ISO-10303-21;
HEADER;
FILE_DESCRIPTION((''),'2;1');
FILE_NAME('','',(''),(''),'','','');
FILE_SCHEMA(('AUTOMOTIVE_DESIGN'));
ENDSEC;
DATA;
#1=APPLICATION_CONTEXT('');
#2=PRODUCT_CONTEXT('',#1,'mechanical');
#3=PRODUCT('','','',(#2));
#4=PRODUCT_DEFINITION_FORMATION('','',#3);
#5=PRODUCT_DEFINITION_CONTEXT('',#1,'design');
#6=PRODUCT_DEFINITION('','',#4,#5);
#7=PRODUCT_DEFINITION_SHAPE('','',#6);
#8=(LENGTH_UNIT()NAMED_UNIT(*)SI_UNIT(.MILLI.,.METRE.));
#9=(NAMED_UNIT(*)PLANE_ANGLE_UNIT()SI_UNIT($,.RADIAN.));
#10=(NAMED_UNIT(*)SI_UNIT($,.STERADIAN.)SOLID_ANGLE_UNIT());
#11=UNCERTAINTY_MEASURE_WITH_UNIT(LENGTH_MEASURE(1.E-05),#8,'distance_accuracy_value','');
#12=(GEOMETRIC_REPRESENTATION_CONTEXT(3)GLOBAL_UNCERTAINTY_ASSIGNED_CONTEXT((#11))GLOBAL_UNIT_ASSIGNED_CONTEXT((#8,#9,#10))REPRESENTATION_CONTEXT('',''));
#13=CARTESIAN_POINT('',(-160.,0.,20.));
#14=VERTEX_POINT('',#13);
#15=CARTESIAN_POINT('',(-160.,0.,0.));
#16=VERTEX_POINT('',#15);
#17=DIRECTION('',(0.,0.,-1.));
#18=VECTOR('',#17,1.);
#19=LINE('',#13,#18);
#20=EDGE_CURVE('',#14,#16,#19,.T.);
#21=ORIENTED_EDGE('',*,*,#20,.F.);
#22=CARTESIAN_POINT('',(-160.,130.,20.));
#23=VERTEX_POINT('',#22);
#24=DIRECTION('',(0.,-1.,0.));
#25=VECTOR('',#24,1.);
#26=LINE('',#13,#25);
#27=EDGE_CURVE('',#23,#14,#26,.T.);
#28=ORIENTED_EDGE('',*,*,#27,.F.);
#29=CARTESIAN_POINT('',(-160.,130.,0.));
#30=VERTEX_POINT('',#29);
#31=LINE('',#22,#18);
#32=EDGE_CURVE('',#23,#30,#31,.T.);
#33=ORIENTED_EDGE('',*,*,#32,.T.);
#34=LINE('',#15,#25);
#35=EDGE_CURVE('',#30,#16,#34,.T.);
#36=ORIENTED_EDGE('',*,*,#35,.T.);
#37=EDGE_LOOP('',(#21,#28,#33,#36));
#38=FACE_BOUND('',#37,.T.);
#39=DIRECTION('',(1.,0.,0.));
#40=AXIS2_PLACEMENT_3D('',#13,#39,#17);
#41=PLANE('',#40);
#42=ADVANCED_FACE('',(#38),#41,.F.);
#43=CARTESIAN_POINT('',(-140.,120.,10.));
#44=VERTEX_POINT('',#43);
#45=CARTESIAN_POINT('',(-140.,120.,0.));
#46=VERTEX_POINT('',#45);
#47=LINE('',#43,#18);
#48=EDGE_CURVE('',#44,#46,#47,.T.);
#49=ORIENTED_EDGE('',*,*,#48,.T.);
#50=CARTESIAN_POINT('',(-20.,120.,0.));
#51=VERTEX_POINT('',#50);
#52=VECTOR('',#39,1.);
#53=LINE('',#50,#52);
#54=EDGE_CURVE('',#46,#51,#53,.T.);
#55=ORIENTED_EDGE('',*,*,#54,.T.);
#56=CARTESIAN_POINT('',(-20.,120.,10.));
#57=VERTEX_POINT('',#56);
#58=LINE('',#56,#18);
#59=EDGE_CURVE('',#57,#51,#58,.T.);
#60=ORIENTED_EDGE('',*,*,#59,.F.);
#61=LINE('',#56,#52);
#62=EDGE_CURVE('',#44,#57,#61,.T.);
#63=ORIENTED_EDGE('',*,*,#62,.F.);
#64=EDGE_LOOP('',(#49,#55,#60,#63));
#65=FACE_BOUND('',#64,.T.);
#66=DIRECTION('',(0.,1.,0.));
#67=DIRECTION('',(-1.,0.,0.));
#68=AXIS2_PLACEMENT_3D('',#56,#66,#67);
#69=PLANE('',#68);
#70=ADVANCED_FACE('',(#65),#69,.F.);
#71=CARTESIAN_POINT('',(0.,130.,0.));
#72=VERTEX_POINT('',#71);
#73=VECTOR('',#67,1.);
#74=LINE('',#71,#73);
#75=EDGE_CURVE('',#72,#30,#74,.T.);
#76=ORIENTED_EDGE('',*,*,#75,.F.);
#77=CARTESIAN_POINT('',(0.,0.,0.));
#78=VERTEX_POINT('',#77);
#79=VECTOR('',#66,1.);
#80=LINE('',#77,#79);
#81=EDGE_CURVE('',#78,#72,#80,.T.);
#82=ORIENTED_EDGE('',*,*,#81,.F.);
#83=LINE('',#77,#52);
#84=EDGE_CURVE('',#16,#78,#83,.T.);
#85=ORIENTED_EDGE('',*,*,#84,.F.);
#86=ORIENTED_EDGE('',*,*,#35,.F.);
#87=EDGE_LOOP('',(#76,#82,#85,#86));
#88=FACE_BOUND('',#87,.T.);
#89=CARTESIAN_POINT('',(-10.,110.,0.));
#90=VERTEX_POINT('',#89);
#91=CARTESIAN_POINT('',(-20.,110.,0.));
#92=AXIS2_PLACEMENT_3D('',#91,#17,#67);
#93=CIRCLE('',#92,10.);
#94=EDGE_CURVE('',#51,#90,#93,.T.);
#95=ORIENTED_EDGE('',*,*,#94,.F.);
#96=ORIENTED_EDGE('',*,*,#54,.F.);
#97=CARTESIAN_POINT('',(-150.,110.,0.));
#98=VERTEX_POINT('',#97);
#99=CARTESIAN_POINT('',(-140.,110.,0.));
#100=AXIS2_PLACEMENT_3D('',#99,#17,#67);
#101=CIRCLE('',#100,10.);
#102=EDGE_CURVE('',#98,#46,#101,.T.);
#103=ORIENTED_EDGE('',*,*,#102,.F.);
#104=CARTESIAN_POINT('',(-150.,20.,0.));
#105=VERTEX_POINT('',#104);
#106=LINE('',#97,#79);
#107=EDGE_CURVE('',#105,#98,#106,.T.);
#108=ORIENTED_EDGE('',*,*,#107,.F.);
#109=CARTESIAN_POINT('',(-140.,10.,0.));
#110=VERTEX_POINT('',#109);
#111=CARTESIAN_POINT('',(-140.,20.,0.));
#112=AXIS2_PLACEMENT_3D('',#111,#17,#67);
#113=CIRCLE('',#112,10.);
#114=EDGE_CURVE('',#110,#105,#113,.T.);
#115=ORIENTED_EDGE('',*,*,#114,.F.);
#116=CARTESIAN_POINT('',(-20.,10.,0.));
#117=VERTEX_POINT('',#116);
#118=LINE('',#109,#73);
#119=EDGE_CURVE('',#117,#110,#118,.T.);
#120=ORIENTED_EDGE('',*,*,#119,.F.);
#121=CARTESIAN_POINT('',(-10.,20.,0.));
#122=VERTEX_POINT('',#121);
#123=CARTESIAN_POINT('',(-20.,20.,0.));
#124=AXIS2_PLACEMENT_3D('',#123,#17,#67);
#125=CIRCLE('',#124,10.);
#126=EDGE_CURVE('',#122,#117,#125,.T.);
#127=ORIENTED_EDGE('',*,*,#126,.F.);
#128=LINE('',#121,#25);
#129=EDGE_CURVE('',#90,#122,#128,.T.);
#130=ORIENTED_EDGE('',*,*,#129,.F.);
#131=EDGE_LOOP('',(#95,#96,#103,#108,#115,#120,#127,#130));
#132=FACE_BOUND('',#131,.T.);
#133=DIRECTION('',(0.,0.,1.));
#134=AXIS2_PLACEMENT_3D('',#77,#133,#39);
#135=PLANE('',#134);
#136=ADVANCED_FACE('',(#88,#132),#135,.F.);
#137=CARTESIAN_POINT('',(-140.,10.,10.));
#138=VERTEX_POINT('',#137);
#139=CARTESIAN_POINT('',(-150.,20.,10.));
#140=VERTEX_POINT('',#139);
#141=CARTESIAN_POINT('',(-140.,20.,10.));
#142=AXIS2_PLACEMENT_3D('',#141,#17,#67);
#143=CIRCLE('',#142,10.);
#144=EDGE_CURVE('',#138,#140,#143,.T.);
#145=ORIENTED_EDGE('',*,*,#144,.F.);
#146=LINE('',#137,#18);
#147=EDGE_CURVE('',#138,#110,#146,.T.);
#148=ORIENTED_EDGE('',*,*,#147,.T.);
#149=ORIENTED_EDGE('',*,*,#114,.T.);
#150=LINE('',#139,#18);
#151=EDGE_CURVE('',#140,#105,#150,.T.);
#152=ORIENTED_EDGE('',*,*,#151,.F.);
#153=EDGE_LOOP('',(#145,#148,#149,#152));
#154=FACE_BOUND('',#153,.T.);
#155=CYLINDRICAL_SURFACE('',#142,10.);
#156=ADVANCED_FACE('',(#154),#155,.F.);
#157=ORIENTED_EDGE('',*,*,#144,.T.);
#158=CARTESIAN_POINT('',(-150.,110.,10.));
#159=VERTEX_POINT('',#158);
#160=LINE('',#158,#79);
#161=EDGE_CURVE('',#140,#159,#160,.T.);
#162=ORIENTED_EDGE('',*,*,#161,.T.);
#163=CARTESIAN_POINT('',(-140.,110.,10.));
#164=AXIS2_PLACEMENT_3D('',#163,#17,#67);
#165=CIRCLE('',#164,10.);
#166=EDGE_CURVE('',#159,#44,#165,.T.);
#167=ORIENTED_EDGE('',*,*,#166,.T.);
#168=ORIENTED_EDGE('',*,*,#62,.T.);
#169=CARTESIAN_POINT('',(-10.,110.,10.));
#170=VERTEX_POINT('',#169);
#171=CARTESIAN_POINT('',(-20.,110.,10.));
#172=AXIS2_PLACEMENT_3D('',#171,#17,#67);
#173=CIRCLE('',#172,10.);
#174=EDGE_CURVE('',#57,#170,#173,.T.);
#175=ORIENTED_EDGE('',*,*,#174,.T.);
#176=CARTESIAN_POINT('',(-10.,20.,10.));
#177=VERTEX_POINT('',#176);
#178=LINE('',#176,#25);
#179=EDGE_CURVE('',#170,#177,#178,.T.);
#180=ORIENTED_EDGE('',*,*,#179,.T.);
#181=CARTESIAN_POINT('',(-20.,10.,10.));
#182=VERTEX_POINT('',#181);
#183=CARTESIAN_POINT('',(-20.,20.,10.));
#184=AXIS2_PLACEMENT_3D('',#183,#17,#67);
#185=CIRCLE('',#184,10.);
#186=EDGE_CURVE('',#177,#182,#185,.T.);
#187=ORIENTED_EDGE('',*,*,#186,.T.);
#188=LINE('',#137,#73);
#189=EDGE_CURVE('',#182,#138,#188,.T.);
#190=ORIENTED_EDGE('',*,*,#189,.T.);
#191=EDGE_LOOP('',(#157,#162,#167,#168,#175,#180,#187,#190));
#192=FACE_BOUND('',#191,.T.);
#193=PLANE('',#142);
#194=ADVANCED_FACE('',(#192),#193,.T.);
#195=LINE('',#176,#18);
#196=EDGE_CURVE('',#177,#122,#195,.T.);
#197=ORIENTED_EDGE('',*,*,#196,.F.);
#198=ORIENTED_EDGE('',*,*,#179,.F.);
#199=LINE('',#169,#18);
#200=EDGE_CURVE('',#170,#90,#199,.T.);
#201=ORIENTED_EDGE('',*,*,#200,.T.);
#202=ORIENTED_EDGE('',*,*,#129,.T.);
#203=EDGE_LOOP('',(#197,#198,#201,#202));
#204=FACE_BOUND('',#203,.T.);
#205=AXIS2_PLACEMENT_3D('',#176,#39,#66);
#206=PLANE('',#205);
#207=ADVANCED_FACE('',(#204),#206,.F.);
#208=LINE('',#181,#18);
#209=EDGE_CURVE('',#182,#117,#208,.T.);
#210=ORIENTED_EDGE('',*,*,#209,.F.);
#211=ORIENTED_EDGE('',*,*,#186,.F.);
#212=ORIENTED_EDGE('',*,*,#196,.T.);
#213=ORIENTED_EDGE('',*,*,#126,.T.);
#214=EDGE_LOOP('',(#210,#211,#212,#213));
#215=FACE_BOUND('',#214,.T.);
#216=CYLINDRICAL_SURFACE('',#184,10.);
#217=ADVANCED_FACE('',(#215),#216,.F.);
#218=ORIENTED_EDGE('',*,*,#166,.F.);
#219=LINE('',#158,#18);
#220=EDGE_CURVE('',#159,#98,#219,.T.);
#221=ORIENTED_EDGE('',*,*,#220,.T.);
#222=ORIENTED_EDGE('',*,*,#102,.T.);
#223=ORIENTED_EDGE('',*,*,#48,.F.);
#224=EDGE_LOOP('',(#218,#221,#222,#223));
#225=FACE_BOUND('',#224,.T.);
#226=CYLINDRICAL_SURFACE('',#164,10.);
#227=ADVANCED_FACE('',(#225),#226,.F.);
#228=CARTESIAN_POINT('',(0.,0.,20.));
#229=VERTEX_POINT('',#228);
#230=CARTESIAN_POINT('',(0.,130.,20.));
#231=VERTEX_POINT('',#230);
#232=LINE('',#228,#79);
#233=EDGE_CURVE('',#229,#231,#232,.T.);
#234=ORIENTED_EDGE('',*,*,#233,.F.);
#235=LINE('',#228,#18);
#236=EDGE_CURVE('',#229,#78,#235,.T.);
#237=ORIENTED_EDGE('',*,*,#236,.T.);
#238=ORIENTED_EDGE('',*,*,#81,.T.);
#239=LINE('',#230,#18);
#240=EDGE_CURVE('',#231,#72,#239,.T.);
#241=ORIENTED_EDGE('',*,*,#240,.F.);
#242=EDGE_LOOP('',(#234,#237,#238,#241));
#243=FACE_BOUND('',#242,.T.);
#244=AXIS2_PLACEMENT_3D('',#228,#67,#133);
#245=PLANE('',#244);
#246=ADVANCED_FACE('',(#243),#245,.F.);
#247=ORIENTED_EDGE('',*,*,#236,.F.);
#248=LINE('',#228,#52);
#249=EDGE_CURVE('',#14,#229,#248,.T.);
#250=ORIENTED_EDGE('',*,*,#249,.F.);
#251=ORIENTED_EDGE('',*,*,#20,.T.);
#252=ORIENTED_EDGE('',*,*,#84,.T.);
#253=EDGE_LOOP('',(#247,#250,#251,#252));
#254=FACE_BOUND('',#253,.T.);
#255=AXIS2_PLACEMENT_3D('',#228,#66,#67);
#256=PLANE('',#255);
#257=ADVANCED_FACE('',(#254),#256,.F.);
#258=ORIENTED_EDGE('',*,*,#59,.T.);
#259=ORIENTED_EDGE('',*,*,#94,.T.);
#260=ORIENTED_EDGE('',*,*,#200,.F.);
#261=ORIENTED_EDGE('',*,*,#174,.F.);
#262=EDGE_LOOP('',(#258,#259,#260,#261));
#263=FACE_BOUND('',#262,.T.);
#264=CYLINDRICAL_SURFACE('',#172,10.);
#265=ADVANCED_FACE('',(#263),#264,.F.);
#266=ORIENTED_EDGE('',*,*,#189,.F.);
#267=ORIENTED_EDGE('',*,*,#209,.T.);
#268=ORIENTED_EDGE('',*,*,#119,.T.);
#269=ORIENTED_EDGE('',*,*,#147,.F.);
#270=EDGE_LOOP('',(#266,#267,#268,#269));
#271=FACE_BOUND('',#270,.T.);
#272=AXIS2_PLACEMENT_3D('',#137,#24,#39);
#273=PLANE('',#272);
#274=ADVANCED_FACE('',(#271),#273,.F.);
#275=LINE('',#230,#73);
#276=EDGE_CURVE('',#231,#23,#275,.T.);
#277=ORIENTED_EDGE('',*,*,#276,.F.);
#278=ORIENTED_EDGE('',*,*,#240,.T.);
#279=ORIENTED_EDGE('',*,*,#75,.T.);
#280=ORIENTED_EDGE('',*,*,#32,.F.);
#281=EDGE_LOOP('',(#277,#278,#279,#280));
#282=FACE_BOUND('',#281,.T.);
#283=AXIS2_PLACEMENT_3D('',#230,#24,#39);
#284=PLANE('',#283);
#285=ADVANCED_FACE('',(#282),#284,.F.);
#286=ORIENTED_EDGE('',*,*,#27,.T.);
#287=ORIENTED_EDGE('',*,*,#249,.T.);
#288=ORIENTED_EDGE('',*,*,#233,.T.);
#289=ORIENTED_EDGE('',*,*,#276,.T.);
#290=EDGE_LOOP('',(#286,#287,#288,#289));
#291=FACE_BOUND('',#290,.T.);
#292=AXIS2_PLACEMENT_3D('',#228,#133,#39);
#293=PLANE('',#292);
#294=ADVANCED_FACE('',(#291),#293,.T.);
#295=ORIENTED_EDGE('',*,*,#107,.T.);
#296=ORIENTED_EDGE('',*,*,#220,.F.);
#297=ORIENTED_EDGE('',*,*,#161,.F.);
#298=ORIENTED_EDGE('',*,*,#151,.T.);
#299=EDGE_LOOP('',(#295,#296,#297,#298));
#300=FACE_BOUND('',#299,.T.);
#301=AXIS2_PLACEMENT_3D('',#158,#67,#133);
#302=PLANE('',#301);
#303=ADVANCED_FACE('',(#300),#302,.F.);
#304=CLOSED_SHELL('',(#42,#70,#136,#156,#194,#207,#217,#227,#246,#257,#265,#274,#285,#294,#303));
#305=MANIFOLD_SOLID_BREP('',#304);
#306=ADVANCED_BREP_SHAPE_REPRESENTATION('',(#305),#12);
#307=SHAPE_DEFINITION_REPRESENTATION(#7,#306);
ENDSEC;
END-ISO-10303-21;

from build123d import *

# Parameters (mm, degrees)
SKETCH1_W           = 160
SKETCH1_H           = 130
BOSS_EXTRUDE1_DEPTH = 20
CUT_EXTRUDE1_DEPTH  = 10


with BuildPart() as part:
    # Sketch1 → Boss-Extrude1 (new body)
    with BuildSketch(Plane.XY):
        with Locations((-80, 65)):
            Rectangle(SKETCH1_W, SKETCH1_H)
    extrude(amount=BOSS_EXTRUDE1_DEPTH)

    # Sketch2 → Cut-Extrude1 (cut)
    with BuildSketch(Plane(origin=(0, 0, 0), x_dir=(-1, 0, 0), z_dir=(0, 0, -1))):
        with BuildLine():
            Line((150, 110), (150, 20))
            ThreePointArc((150, 20), (147.071067812, 12.928932188), (140, 10))
            Line((140, 10), (20, 10))
            ThreePointArc((20, 10), (12.928932188, 12.928932188), (10, 20))
            Line((10, 20), (10, 110))
            ThreePointArc((10, 110), (12.928932188, 117.071067812), (20, 120))
            Line((20, 120), (140, 120))
            ThreePointArc((140, 120), (147.071067812, 117.071067812), (150, 110))
        make_face()
    extrude(amount=-CUT_EXTRUDE1_DEPTH, mode=Mode.SUBTRACT)


solid = part.part
